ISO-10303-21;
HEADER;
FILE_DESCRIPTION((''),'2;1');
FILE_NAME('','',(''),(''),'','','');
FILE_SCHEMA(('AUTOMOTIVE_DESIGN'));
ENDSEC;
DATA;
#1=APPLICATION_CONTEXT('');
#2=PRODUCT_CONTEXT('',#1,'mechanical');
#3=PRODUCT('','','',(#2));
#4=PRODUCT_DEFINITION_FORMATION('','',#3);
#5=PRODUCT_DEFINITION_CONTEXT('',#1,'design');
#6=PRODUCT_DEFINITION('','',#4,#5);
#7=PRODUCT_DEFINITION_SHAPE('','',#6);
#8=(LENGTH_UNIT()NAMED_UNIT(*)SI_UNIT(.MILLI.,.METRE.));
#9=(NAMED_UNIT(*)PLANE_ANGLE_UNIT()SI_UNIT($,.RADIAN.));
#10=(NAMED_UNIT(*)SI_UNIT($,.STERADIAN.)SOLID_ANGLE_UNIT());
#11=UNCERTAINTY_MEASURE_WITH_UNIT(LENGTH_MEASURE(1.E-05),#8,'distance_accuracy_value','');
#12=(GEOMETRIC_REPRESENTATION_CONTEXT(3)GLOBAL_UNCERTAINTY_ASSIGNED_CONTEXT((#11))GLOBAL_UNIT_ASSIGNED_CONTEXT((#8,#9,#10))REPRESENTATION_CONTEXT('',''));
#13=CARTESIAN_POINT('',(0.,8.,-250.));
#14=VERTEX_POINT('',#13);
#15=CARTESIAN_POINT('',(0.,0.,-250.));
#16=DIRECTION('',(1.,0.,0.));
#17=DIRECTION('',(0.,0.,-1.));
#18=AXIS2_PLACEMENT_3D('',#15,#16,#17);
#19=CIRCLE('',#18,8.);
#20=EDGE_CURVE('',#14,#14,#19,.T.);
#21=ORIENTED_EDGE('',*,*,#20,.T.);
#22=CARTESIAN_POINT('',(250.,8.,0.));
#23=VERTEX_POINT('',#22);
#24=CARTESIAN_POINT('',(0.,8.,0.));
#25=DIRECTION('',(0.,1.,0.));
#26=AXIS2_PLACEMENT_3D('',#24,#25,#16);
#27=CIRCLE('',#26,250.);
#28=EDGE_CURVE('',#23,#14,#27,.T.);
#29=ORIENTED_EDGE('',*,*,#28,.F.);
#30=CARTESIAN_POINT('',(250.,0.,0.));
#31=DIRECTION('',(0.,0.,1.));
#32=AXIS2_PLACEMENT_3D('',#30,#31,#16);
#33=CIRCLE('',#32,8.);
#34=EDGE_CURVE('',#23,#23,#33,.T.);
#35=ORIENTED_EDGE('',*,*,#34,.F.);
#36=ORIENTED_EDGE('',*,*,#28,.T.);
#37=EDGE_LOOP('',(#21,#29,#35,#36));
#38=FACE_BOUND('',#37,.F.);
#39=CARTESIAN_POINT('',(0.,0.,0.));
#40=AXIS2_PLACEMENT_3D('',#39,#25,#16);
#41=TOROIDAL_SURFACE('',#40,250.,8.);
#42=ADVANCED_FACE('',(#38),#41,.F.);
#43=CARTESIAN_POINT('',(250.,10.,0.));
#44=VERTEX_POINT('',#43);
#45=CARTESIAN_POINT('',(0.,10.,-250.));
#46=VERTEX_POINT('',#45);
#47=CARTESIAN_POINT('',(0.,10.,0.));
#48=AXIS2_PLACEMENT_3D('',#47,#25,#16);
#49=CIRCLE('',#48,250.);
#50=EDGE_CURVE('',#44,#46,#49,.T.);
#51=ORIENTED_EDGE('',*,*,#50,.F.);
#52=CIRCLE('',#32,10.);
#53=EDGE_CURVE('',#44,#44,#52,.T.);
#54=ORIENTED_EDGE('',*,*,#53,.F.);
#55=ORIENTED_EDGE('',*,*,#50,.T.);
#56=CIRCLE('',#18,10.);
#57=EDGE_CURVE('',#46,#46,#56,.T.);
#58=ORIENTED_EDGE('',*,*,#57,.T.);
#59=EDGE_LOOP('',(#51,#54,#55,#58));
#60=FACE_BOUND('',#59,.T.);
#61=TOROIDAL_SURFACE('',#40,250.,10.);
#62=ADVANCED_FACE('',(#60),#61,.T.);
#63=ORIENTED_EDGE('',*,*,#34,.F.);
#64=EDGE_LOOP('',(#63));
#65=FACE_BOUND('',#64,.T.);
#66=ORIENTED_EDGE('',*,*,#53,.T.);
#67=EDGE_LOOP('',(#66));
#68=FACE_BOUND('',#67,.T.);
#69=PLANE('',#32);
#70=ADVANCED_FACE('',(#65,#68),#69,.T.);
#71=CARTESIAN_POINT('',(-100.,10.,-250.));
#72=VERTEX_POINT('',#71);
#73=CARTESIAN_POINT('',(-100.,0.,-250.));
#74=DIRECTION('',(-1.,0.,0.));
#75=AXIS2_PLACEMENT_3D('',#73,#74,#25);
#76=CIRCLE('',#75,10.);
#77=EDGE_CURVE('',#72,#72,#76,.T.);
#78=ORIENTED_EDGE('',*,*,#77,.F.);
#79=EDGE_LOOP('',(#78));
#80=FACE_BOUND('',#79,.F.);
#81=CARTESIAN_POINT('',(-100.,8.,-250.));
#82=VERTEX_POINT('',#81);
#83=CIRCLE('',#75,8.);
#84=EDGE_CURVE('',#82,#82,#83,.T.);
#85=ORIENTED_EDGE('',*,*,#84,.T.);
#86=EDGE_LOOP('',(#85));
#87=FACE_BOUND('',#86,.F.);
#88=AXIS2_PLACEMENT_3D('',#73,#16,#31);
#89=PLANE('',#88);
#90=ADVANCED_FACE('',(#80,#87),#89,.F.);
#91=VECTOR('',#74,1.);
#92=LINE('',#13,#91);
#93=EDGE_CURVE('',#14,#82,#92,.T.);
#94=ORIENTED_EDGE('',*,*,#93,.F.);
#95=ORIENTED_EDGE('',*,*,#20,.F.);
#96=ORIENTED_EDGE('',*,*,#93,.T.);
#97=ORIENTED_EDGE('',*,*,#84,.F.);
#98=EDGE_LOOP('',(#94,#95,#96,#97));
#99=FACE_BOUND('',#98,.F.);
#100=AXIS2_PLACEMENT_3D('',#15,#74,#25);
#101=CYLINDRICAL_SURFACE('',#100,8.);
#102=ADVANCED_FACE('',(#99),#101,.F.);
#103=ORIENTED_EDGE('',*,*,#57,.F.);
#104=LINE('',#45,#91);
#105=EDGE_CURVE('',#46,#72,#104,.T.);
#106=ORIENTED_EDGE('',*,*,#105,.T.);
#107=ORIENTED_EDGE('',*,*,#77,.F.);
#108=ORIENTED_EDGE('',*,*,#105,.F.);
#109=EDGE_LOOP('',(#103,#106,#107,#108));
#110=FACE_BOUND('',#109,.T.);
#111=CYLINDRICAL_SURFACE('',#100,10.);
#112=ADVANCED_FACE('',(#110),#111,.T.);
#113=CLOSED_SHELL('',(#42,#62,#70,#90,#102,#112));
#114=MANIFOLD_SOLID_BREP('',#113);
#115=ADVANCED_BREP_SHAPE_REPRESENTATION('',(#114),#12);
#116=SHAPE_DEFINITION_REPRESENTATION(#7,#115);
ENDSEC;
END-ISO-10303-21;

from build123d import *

# Parameters (mm, degrees)
F1_R   = 10
F1_R_2 = 8


with BuildPart() as f2:
    # F2: sweep along a path in F0
    with BuildLine(Plane.XZ) as f2_path:
        ThreePointArc((250, 0), (176.7766952966, -176.7766952966), (0, -250))
        Line((0, -250), (-100, -250))
    # F1 (on Right) → F2 (sweep)
    with BuildSketch(Plane.YZ):
        with Locations((0, -250)):
            Circle(F1_R)
        with Locations((0, -250)):
            Circle(F1_R_2, mode=Mode.SUBTRACT)
    sweep(path=f2_path.line)


solid = f2.part
